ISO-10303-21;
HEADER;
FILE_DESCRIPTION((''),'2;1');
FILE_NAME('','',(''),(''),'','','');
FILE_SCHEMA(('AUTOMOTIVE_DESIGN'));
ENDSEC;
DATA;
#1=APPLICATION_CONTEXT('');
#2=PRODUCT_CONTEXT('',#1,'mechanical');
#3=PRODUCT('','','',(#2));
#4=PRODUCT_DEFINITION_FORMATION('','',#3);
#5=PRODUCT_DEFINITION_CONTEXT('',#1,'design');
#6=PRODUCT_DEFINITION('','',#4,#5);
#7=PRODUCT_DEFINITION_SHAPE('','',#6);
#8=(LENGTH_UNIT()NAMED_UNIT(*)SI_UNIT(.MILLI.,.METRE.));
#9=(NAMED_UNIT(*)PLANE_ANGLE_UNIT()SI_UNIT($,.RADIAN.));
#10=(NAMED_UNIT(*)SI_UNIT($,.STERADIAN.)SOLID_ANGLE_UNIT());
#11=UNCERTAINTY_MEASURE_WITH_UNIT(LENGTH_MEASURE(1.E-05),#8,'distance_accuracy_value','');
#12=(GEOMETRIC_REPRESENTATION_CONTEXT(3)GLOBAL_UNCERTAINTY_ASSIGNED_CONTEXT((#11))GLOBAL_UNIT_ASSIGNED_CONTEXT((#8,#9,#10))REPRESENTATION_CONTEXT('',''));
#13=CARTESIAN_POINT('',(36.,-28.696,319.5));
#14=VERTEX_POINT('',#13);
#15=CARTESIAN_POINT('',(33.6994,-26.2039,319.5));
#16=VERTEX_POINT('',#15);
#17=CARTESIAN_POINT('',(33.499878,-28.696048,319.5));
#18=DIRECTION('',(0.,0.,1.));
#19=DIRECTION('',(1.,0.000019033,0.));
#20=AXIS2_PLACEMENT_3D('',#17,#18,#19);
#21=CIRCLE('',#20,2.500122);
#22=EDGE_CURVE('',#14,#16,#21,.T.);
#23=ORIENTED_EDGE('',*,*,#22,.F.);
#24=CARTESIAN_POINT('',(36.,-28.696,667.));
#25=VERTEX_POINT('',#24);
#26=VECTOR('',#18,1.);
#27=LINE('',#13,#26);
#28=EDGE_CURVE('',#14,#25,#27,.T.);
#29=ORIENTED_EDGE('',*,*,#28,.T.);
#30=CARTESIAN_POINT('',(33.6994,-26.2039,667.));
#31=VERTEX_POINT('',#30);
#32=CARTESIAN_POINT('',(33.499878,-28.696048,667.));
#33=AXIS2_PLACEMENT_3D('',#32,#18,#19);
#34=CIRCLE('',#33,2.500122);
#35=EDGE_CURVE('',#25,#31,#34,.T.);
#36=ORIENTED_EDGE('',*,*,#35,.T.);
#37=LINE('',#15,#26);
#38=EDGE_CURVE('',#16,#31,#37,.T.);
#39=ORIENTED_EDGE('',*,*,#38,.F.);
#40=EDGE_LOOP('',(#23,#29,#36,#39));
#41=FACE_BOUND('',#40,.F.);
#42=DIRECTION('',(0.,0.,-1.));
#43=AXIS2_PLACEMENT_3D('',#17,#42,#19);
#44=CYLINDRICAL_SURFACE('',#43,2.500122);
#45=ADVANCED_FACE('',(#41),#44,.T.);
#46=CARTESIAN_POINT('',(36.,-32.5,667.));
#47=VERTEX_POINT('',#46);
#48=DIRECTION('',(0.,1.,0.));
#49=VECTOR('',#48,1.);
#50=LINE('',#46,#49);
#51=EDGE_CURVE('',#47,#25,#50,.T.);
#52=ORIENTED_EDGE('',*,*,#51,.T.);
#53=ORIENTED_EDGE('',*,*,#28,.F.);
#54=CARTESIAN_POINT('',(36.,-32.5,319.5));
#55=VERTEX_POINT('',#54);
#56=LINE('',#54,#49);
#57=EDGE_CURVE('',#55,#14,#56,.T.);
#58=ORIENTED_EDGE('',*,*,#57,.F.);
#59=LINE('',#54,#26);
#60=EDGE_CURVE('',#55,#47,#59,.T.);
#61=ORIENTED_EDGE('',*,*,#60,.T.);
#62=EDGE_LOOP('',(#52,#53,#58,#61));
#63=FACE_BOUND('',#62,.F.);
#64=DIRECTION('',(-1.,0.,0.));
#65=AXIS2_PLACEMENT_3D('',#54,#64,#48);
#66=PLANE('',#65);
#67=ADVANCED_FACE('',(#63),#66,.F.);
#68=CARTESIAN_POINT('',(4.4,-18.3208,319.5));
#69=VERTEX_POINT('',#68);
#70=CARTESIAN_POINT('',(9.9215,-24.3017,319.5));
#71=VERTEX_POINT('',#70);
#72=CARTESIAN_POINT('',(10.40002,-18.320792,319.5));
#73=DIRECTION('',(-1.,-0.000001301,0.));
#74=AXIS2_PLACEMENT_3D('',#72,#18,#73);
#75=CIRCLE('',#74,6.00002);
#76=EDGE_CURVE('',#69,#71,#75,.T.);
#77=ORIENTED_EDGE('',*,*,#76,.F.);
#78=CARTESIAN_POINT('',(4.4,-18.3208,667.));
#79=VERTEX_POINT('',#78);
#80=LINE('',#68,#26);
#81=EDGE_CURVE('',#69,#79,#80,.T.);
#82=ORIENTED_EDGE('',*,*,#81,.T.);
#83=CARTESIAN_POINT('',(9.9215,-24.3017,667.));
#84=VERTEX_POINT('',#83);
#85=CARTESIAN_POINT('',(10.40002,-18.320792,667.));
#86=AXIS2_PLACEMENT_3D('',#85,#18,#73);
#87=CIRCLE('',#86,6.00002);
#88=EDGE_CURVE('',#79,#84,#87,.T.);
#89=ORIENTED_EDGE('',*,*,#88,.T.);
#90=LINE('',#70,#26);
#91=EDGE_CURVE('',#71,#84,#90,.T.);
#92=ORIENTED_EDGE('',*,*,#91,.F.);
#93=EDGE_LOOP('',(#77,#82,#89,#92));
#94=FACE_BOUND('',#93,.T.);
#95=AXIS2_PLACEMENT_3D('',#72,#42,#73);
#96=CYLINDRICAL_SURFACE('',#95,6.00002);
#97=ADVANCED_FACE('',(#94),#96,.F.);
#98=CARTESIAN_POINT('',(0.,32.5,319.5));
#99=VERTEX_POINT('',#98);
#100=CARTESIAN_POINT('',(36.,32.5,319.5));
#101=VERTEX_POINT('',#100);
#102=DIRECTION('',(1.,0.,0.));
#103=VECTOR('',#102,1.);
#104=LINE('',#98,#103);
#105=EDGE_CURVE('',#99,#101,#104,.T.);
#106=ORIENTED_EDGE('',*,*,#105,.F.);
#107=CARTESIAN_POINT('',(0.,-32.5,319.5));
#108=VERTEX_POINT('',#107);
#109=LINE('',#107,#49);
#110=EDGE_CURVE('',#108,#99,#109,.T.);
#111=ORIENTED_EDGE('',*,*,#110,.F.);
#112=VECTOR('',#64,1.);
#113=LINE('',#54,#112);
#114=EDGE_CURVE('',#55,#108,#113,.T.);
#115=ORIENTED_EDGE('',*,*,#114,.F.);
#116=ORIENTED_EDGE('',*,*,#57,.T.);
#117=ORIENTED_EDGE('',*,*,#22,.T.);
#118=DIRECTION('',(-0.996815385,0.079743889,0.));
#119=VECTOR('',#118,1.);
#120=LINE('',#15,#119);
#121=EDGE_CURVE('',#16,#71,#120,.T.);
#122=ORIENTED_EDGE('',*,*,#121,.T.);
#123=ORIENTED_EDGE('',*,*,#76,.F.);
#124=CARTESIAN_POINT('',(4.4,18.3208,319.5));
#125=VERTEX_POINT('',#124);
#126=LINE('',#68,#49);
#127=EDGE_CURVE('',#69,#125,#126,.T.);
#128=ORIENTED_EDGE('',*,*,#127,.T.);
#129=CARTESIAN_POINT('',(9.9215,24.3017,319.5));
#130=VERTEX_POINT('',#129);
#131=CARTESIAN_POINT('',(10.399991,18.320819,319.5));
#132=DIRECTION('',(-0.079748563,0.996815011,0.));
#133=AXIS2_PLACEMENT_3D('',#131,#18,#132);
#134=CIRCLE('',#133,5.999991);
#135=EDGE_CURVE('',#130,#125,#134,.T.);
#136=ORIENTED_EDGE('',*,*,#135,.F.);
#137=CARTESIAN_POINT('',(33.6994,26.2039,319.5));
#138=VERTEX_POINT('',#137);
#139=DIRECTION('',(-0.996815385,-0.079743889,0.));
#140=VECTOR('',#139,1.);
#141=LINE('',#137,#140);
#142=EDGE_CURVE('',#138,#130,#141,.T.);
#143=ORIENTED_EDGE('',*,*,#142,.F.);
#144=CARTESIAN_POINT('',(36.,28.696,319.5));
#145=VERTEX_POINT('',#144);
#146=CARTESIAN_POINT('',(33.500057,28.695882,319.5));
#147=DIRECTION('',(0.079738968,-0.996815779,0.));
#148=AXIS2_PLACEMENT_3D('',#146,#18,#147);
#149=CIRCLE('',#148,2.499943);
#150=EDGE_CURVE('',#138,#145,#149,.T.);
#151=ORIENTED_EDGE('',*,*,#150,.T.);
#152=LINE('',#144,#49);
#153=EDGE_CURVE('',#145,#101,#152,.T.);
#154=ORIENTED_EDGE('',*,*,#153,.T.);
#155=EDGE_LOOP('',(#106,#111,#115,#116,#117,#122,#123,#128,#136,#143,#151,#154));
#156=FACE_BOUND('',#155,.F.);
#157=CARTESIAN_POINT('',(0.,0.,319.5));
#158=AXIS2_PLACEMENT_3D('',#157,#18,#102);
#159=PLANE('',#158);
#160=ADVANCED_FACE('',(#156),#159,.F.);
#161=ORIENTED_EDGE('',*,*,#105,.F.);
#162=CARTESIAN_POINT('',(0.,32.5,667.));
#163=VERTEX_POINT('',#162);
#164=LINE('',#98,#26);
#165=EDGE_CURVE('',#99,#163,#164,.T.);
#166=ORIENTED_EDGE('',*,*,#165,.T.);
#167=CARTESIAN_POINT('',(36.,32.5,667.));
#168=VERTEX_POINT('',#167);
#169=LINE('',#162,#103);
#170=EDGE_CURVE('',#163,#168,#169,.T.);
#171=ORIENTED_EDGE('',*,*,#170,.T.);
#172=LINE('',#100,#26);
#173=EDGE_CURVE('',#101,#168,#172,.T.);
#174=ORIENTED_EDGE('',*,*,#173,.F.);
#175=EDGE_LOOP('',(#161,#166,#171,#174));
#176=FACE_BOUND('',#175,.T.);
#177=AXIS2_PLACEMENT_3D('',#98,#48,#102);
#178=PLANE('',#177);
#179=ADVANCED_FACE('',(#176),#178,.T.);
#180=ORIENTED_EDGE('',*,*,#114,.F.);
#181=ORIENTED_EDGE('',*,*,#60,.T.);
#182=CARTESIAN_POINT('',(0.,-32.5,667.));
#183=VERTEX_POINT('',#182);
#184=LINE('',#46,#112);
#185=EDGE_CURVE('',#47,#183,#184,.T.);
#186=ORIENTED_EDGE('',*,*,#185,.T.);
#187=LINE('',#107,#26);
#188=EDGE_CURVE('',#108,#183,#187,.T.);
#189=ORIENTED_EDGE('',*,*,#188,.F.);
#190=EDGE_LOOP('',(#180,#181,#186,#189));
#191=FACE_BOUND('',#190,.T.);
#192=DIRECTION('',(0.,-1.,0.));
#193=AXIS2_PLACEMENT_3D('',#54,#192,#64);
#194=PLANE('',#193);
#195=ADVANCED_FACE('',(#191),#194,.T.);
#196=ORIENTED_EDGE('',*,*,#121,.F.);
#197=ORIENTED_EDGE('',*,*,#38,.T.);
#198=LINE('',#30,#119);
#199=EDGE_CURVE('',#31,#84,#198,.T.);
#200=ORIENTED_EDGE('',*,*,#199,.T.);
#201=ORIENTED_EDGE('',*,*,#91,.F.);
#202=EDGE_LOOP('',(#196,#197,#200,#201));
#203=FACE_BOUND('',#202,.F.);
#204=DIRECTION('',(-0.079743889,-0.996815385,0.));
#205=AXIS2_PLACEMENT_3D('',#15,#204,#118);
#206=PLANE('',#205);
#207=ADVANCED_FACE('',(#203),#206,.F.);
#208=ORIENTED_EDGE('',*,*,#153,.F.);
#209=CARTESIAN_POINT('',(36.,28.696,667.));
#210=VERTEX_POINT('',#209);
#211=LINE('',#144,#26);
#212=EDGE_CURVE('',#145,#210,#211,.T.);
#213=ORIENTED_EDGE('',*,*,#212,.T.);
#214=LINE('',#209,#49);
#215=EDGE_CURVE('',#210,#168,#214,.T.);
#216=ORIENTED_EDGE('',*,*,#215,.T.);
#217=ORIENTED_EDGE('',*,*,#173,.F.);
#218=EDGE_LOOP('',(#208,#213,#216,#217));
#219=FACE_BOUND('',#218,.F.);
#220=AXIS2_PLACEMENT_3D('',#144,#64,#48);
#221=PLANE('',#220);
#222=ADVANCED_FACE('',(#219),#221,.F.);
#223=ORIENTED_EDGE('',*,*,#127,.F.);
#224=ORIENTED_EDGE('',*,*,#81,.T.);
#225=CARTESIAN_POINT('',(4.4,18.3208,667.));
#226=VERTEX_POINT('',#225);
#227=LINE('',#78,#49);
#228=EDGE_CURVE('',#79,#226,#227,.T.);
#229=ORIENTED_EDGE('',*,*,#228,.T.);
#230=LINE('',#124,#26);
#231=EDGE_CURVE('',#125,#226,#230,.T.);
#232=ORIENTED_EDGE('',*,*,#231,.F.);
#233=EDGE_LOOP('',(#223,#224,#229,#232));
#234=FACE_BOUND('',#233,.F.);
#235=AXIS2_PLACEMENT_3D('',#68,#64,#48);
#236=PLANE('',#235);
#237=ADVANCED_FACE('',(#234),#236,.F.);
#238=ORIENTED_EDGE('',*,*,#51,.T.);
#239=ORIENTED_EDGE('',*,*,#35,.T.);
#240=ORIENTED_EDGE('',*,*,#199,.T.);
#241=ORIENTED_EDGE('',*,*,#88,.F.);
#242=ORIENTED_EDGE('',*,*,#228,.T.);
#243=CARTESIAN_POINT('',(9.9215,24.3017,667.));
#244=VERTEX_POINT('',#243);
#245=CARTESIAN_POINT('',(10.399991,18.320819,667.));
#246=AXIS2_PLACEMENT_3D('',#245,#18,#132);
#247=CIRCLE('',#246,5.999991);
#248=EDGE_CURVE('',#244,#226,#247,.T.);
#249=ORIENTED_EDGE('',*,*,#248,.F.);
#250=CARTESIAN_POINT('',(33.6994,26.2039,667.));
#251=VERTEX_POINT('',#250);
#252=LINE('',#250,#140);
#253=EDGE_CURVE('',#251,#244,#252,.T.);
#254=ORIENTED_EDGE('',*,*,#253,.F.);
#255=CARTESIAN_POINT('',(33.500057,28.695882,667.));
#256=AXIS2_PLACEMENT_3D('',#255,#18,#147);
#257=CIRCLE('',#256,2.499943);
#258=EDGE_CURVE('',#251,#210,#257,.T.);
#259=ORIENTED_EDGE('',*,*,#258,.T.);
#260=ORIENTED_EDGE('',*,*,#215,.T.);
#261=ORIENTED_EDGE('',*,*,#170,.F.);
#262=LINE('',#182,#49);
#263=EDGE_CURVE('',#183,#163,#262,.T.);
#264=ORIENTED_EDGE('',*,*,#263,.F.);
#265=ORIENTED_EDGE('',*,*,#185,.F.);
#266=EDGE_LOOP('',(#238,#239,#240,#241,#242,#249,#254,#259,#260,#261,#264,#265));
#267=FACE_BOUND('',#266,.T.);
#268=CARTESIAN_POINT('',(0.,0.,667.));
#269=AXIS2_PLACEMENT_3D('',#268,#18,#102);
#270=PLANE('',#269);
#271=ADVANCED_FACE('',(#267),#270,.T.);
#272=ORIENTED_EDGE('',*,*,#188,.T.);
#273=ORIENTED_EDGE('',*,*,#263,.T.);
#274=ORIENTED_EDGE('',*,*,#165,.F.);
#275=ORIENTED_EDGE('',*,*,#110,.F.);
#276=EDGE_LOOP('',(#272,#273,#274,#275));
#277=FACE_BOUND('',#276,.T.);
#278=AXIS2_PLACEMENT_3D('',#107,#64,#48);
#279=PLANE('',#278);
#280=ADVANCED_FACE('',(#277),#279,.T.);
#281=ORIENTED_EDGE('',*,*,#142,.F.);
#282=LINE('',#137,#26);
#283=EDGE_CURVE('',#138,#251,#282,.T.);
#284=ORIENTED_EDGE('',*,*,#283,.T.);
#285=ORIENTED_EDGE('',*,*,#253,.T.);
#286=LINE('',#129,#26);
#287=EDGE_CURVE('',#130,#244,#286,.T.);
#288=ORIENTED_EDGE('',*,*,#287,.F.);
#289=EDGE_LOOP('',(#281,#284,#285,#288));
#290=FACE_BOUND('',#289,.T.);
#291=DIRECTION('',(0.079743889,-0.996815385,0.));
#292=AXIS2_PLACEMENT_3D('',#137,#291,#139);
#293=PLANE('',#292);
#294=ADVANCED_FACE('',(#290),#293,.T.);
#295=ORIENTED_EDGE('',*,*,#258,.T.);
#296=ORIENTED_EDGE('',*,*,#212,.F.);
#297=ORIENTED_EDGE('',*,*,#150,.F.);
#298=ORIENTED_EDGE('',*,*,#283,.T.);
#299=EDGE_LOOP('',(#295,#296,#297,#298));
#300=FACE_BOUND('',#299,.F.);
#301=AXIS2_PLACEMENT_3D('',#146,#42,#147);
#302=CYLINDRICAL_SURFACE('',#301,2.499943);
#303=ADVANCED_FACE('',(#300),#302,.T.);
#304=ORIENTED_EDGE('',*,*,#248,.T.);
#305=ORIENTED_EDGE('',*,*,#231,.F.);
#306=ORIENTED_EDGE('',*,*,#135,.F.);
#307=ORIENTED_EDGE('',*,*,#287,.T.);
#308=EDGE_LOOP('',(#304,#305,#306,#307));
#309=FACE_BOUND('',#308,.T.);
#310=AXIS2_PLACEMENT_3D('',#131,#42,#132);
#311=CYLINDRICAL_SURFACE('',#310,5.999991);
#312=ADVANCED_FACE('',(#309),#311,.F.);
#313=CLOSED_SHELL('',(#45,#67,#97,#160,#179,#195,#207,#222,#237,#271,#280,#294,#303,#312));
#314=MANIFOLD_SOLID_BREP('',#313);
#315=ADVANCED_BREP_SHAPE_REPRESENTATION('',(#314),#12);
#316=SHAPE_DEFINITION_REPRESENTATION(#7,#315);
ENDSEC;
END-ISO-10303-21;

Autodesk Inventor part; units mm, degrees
ref_plane "Начальная плоскость" through (0, 0, 319.5) normal (0, 0, 1) x (1, 0, 0)
ref_plane "Конечная плоскость" through (0, 0, 667) normal (0, 0, 1) x (1, 0, 0)
sketch "Эскиз" plane through (0, 0, 0) normal (0, 0, 1) x (1, 0, 0)
  line L0 (36, -32.5) -> (0, -32.5)
  line L1 (36, -32.5) -> (36, -28.696)
  line L2 (33.6994, -26.2039) -> (9.9215, -24.3017)
  line L3 (4.4, -18.3208) -> (4.4, 18.3208)
  line L4 (33.6994, 26.2039) -> (9.9215, 24.3017)
  line L5 (36, 28.696) -> (36, 32.5)
  line L6 (0, 32.5) -> (36, 32.5)
  line L7 (0, -32.5) -> (0, 32.5)
  arc A0 (4.4, -18.3208) -> (9.9215, -24.3017) centre (10.4, -18.3208) ccw
  arc A1 (9.9215, 24.3017) -> (4.4, 18.3208) centre (10.4, 18.3208) ccw
  arc A2 (36, -28.696) -> (33.6994, -26.2039) centre (33.5, -28.696) ccw
  arc A3 (33.6994, 26.2039) -> (36, 28.696) centre (33.5, 28.696) ccw
  line L8 (0, 45.5) -> (0, -45.5) construction
  line L9 (-7.2974, 0) -> (43.7847, 0) construction
  point P0 (36, -26.388)
  point P1 (4.4, -23.86)
  point P2 (4.4, 23.86)
  point P3 (36, 26.388)
  dimension "d3" = 36
  dimension "d5" = 4.4
  dimension "d7" = 65
  dimension "d9" = 8.64
  dimension "d11" = 8.64
  dimension "d13" = 6.112
  dimension "d15" = 6.112
  dimension "d22" = 6
  dimension "d23" = 2.5
  dimension "d24" = 32.5
  dimension "d25" = 0
extrude "Тело" add sketch "Эскиз" along normal up to surface (347.5 mm away) from surface at 319.5
sketch "Sketch3" plane through (0, 0, 0) normal (0, 0, 1) x (1, 0, 0)
  line L0 (0, 0) -> (10, 0)
ref_plane "Work Plane7" through (0, 0, 0) normal (0, -1, 0) x (1, 0, 0)
sketch "Sketch4" plane through (0, 0, 0) normal (0, -1, 0) x (1, 0, 0)
  line L0 (-2, 319.5) -> (12, 319.5)
  line L1 (-2, 667) -> (12, 667)
  dimension "d29" = 347.5
ref_plane "РабПлоскость8" through (0, 32.5, 319.5) normal (0, 0, -1) x (-1, 0, 0)
split "Разделение1" plane through (0, 32.5, 319.5) removes the side toward (0, 0, -1)
equation "\"d3\" = b"
equation "\"d5\" = t1"
equation "\"d7\" = ParH"
equation "\"d9\" = msp_x1 + t2"
equation "\"d11\" = msp_x1 + t2"
equation "\"d13\" = -msp_x2 + t2"
equation "\"d15\" = -msp_x2 + t2"
equation "\"d22\" = R"
equation "\"d23\" = R1"
equation "\"d24\" = 0.5 * d7"
equation "\"d16\" = G_L"
equation "\"R1\" = 2.5"
equation "\"R\" = 6"
equation "\"t1\" = 4.4"
equation "\"t2\" = 7.2"
equation "\"ParH\" = 65"
equation "\"b\" = 36"
equation "\"msp_x1\" = 0.04 * b"
equation "\"msp_x2\" = -0.08 * t1 + 0.04 * b"
equation "\"G_L\" = d29"
equation "\"ex\" = 0"
equation "\"G_OFFSET_START\" = -319.5"
equation "\"G_OFFSET_END\" = 0"
equation "\"d26\" = -G_OFFSET_START"
equation "\"d27\" = G_OFFSET_END + B_L"
equation "\"B_L\" = 667"
properties part number "Швеллер 6.5U-347,5 ГОСТ 8240-97" material "Сталь, мягкая"
